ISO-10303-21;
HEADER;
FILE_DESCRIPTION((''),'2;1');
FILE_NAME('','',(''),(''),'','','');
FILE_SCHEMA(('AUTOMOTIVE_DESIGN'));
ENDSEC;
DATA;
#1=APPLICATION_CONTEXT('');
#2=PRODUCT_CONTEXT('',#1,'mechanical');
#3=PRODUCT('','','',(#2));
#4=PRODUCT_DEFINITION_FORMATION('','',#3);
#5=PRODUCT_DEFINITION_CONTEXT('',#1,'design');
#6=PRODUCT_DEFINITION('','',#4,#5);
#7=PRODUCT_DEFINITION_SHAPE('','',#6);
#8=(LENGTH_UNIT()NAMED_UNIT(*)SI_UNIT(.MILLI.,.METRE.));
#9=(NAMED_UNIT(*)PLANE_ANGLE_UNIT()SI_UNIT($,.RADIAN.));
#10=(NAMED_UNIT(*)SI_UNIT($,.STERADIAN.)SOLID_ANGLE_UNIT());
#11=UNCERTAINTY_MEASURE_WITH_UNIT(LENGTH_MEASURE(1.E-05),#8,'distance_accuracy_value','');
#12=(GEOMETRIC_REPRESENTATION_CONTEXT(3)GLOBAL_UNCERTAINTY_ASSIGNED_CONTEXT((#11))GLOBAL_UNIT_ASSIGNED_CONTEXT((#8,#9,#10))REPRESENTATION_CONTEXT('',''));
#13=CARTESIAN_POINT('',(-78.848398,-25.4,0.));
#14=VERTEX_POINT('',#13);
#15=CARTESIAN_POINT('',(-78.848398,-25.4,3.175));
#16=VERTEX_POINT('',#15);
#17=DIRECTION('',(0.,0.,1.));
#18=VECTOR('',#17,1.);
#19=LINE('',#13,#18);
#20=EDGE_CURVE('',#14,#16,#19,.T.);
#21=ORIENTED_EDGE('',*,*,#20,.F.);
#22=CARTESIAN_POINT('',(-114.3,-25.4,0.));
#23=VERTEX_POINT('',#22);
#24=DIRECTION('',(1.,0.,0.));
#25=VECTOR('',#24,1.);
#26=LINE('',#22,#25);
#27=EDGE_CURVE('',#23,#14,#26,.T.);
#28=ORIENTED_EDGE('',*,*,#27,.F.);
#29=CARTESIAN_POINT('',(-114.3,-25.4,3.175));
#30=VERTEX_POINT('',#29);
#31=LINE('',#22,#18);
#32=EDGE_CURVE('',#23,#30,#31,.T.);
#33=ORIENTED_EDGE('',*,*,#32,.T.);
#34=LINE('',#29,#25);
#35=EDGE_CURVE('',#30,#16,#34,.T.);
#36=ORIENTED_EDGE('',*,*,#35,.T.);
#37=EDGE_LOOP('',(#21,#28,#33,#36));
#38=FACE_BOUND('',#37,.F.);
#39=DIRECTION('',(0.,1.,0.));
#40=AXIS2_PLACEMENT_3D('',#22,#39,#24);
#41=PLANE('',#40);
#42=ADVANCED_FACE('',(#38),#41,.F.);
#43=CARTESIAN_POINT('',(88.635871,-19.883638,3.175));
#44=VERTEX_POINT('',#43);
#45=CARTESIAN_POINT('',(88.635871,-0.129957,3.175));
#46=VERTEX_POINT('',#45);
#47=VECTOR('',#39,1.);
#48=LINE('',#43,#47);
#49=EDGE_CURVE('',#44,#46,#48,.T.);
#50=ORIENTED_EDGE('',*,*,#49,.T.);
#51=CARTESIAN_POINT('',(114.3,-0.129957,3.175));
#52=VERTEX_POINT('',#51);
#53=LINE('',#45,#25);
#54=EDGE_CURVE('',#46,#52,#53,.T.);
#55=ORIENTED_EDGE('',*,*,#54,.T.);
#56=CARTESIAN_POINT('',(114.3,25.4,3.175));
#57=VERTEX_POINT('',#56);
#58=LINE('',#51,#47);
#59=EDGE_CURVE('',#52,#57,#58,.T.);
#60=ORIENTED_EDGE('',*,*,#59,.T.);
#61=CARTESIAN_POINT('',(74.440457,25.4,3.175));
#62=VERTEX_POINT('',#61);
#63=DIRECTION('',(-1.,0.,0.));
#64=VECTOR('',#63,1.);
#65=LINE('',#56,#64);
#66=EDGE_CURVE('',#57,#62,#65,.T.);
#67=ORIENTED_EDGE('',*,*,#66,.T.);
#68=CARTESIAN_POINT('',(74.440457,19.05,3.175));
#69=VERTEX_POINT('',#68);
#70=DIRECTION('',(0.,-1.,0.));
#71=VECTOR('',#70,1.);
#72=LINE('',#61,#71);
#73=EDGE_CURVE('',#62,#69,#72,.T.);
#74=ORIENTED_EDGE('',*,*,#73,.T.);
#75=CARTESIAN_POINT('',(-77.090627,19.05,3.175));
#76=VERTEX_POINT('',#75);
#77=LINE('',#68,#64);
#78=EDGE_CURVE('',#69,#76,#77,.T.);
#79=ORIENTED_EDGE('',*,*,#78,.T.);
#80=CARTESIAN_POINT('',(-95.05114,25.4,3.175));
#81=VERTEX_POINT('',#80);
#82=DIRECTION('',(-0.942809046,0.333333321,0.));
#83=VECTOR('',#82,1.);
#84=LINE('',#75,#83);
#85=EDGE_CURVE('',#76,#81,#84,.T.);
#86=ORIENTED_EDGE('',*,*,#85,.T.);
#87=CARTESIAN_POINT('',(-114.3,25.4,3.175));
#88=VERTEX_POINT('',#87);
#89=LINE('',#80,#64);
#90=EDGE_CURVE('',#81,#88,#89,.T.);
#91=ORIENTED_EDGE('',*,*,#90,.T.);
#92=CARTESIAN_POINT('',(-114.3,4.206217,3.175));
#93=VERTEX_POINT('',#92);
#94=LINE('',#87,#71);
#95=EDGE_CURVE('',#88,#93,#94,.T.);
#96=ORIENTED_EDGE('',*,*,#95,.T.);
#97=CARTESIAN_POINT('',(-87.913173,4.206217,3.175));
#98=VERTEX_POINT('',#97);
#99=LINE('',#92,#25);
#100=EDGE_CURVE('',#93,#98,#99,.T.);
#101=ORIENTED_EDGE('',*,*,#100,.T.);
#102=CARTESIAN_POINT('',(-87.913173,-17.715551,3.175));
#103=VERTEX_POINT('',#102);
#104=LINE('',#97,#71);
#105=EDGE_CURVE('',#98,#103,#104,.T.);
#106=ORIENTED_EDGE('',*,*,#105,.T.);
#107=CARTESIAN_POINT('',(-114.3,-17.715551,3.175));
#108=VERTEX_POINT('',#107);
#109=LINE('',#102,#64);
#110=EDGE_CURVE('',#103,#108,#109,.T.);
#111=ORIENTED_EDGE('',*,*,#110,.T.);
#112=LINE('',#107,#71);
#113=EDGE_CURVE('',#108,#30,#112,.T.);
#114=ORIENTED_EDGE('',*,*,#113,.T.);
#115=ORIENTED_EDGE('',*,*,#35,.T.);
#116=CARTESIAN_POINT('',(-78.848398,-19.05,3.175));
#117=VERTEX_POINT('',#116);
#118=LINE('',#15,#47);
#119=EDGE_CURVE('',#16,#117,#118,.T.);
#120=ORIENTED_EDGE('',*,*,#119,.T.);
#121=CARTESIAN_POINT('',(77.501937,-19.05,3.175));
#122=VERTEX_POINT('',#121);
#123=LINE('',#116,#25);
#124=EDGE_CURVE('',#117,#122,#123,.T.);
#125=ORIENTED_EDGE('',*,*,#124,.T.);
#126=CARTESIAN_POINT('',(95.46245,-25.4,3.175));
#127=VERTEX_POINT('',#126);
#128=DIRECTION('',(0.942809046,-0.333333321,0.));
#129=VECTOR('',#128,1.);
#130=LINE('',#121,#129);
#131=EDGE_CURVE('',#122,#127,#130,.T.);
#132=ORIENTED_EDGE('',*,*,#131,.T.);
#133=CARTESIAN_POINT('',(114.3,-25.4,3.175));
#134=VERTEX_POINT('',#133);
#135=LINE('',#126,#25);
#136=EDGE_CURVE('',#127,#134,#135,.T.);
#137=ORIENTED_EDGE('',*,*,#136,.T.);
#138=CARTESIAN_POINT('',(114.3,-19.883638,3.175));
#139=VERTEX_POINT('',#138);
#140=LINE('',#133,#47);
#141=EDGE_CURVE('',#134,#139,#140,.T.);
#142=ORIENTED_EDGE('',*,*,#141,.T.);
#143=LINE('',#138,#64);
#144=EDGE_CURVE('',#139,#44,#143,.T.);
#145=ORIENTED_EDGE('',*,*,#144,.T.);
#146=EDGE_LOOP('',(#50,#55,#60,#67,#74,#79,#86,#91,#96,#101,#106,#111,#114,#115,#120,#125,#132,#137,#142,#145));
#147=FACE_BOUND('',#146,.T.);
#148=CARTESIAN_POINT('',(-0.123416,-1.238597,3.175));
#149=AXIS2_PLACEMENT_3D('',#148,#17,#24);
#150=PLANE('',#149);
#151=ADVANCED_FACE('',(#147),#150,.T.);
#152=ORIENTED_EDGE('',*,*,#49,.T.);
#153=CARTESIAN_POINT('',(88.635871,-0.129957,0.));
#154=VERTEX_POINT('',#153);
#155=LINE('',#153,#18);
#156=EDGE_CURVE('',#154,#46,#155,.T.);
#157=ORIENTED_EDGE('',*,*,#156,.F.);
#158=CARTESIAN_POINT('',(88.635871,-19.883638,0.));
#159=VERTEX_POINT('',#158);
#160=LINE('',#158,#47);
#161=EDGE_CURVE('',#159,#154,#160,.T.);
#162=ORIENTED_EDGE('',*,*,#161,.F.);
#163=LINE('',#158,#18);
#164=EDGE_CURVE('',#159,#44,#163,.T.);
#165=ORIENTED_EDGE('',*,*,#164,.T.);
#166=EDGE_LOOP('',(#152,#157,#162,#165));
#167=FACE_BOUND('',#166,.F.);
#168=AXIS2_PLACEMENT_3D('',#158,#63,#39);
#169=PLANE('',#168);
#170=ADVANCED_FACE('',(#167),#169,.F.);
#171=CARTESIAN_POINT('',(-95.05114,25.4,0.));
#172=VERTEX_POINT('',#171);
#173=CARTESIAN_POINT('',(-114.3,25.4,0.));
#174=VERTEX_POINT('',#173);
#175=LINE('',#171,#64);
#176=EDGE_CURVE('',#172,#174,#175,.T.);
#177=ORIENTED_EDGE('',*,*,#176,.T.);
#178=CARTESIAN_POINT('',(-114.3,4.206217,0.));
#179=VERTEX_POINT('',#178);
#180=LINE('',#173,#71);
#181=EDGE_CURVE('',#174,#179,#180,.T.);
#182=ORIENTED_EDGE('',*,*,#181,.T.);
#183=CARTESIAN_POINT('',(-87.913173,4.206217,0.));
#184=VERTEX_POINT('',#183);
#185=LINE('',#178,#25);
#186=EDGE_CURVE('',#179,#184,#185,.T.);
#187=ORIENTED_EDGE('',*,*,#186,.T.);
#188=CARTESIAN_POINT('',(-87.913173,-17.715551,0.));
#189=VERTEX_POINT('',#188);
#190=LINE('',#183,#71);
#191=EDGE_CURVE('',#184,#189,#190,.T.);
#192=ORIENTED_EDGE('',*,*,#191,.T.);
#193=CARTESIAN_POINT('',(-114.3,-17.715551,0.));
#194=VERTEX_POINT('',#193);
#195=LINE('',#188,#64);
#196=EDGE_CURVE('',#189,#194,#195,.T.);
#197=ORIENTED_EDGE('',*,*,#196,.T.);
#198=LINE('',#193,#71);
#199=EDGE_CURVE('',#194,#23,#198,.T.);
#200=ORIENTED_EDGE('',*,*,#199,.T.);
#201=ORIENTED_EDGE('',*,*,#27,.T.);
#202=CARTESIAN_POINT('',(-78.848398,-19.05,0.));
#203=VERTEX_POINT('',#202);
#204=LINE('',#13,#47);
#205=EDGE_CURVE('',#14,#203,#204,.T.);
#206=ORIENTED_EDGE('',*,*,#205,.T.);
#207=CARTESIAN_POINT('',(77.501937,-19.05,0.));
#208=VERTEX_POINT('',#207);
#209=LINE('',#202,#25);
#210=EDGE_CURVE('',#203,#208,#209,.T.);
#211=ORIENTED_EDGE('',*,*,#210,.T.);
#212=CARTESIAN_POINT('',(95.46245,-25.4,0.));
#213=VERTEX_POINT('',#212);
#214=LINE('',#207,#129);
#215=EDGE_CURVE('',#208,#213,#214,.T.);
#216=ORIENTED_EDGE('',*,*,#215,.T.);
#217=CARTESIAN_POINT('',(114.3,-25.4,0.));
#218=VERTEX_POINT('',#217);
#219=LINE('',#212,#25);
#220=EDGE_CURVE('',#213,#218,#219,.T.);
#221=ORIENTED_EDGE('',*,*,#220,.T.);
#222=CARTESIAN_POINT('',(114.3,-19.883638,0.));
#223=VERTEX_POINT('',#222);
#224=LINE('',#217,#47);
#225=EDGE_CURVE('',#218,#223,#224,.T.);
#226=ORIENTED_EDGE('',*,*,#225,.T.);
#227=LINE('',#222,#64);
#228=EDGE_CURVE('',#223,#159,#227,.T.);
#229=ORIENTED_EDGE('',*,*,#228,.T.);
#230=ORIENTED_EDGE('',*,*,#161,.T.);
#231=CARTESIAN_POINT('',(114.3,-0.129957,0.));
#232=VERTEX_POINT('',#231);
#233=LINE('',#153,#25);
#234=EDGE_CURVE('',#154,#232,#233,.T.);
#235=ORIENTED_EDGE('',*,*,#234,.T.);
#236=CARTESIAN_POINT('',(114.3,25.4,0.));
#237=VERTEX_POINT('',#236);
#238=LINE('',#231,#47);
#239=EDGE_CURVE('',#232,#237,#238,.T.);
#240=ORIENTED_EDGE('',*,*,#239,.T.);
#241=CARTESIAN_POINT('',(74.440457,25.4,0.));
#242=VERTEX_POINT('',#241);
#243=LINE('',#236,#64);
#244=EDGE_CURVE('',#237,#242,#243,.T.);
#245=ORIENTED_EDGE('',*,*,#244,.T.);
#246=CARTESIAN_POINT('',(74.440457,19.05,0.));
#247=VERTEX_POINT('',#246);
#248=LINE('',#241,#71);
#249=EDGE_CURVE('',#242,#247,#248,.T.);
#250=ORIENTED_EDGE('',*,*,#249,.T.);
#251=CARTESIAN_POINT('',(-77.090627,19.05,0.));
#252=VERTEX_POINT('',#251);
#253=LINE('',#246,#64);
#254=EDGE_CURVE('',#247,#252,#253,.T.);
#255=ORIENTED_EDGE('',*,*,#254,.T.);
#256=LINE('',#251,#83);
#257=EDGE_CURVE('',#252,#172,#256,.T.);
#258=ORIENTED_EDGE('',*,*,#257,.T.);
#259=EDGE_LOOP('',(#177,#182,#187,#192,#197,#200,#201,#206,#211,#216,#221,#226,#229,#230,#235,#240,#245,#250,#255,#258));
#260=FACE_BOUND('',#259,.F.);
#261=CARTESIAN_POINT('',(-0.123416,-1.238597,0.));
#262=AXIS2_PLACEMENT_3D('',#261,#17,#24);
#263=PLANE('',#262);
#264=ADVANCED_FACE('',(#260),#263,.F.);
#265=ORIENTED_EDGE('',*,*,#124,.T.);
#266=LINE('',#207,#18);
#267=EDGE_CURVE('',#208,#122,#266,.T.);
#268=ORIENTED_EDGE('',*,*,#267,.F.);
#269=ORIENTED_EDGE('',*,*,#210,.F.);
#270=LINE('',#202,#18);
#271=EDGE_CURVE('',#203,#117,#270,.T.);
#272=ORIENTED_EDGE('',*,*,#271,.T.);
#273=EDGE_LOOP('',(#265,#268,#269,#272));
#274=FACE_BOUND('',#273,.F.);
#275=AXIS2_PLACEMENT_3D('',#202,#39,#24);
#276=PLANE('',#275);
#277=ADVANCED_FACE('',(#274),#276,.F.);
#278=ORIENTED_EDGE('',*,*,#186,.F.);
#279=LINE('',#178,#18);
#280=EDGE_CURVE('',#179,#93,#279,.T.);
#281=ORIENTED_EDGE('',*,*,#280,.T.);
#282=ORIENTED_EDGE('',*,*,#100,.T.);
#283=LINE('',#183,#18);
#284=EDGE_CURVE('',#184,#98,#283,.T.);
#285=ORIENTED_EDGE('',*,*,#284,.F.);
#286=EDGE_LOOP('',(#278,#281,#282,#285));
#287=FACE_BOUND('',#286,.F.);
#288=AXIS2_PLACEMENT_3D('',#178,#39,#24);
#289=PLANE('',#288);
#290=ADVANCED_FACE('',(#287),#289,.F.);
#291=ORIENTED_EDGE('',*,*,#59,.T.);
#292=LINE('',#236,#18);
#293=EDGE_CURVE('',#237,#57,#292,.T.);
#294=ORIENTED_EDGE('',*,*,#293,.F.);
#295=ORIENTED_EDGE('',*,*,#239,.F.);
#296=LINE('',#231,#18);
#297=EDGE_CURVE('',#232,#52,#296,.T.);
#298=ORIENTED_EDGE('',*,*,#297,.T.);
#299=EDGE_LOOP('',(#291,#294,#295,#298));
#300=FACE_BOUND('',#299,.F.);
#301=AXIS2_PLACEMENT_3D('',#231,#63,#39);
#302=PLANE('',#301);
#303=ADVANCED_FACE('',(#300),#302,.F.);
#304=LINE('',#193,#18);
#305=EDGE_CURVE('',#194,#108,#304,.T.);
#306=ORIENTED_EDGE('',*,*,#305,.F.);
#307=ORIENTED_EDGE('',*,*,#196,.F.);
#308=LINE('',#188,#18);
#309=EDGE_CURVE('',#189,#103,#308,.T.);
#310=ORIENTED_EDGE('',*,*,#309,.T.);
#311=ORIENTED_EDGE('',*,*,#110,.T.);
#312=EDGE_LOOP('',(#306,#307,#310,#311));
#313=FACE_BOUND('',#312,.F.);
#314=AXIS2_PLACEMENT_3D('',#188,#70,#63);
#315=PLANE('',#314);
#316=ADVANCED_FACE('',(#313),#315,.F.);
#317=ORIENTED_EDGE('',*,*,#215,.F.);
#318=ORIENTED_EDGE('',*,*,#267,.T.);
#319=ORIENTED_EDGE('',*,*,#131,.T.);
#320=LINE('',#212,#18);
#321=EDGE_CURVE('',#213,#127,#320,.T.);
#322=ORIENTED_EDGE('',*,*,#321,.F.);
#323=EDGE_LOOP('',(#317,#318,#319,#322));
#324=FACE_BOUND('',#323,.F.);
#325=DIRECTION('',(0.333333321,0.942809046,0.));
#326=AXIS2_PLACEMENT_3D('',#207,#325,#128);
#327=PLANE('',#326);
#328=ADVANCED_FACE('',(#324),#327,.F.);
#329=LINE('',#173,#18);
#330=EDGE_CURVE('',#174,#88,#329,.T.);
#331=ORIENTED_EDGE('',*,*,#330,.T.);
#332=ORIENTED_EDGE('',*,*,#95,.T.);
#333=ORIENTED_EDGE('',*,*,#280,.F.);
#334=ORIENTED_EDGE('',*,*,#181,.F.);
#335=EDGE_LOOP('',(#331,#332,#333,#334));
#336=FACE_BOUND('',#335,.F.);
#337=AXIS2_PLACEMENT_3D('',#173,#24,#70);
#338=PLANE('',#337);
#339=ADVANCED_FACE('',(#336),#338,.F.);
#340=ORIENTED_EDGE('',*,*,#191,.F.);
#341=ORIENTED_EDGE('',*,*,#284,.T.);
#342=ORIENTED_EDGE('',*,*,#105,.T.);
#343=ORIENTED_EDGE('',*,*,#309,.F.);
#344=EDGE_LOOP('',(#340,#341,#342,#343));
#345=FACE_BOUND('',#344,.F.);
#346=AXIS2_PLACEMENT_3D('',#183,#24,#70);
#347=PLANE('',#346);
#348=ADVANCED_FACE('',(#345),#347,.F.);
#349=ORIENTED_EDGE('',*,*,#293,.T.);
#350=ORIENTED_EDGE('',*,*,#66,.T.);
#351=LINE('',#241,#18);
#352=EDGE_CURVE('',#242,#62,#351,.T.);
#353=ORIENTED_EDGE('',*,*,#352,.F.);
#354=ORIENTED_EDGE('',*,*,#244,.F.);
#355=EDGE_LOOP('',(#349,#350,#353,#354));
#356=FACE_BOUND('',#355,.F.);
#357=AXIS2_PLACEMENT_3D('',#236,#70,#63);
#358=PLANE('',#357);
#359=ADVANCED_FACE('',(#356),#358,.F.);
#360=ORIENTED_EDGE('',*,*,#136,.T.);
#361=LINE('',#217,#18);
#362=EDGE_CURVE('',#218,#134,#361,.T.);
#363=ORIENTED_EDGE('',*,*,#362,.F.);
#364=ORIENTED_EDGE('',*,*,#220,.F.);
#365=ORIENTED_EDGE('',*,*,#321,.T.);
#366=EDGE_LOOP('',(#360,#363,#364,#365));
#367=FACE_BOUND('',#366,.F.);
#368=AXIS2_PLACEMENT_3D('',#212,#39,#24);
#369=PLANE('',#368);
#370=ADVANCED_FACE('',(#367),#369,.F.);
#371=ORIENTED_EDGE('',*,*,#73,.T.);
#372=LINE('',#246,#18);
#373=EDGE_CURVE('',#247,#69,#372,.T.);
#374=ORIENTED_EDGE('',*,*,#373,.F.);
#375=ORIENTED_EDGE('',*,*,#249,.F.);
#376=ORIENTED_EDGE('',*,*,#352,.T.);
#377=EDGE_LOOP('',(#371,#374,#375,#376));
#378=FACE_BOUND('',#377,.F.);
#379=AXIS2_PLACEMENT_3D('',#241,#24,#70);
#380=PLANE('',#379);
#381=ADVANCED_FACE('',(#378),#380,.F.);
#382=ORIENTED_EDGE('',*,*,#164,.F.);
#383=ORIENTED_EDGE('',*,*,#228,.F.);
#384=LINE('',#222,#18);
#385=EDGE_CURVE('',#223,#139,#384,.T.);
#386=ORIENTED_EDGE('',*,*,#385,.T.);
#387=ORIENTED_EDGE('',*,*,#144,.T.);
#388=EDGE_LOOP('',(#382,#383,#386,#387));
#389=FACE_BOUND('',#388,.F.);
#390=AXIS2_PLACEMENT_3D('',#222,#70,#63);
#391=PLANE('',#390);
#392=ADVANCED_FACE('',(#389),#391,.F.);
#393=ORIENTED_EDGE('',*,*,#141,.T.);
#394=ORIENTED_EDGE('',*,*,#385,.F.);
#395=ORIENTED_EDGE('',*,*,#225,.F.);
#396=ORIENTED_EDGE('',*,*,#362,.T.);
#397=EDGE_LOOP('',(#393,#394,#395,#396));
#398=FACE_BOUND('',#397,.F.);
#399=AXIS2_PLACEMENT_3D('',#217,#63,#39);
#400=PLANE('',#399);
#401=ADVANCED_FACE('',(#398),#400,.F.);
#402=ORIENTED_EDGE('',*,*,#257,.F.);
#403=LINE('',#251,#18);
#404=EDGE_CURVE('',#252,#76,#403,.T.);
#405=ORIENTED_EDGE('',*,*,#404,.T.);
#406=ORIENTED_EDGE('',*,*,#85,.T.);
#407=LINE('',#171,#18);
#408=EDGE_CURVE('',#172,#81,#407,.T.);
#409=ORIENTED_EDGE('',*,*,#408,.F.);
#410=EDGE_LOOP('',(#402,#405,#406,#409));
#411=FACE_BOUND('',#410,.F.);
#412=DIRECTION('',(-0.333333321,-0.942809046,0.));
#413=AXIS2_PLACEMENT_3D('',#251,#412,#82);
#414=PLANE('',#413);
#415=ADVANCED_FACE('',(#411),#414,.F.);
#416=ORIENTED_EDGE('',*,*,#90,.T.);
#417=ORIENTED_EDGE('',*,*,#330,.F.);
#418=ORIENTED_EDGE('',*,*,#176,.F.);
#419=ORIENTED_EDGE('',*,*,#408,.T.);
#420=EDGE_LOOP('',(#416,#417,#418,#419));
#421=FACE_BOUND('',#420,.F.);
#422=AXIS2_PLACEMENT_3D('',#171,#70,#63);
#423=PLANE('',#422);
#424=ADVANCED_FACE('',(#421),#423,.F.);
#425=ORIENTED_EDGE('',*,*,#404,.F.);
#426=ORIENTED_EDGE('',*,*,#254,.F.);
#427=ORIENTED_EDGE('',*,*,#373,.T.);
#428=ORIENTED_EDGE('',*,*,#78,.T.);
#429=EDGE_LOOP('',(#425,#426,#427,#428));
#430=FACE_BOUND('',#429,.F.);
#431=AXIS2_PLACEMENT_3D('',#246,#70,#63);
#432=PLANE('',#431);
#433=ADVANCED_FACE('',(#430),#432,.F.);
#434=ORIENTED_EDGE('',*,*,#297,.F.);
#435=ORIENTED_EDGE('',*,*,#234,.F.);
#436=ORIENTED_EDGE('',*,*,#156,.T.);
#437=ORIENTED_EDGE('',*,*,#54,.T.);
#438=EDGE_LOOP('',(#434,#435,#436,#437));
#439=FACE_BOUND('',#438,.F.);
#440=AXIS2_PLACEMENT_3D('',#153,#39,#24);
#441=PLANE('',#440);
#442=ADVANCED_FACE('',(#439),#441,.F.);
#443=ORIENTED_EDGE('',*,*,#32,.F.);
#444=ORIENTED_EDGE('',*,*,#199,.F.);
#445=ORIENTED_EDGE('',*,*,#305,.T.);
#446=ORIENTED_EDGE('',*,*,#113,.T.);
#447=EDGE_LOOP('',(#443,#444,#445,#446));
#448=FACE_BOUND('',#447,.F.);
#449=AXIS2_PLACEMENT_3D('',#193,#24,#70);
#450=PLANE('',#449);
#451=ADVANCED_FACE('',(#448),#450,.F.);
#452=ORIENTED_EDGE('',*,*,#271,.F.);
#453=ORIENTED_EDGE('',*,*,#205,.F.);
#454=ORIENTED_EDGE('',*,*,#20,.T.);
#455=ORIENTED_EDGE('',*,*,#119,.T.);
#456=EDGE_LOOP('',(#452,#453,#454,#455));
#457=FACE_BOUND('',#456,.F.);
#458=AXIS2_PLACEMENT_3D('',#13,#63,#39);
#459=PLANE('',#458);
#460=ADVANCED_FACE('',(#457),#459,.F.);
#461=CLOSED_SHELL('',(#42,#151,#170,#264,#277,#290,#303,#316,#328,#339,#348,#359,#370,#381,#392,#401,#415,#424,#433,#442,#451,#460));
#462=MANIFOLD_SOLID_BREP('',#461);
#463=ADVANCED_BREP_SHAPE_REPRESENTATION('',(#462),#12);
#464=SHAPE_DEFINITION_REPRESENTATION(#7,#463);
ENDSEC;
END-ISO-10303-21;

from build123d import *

# Parameters (mm, degrees)
F1_DEPTH = 3.175


with BuildPart() as f1:
    # F0 (on Top) → F1 (new body)
    with BuildSketch(Plane.XY):
        Polygon((114.3, -0.129957), (114.3, 25.4), (88.635871, 25.4), (74.440457, 25.4), (74.440457, 19.05), (-77.090627, 19.05), (-95.05114, 25.4), (-114.3, 25.4), (-114.3, 4.206217), (-87.913173, 4.206217), (-87.913173, -17.715551), (-114.3, -17.715551), (-114.3, -25.4), (-78.848398, -25.4), (-78.848398, -19.05), (77.501937, -19.05), (95.46245, -25.4), (114.3, -25.4), (114.3, -19.883638), (88.635871, -19.883638), (88.635871, -0.129957), align=None)
    extrude(amount=F1_DEPTH)


solid = f1.part
